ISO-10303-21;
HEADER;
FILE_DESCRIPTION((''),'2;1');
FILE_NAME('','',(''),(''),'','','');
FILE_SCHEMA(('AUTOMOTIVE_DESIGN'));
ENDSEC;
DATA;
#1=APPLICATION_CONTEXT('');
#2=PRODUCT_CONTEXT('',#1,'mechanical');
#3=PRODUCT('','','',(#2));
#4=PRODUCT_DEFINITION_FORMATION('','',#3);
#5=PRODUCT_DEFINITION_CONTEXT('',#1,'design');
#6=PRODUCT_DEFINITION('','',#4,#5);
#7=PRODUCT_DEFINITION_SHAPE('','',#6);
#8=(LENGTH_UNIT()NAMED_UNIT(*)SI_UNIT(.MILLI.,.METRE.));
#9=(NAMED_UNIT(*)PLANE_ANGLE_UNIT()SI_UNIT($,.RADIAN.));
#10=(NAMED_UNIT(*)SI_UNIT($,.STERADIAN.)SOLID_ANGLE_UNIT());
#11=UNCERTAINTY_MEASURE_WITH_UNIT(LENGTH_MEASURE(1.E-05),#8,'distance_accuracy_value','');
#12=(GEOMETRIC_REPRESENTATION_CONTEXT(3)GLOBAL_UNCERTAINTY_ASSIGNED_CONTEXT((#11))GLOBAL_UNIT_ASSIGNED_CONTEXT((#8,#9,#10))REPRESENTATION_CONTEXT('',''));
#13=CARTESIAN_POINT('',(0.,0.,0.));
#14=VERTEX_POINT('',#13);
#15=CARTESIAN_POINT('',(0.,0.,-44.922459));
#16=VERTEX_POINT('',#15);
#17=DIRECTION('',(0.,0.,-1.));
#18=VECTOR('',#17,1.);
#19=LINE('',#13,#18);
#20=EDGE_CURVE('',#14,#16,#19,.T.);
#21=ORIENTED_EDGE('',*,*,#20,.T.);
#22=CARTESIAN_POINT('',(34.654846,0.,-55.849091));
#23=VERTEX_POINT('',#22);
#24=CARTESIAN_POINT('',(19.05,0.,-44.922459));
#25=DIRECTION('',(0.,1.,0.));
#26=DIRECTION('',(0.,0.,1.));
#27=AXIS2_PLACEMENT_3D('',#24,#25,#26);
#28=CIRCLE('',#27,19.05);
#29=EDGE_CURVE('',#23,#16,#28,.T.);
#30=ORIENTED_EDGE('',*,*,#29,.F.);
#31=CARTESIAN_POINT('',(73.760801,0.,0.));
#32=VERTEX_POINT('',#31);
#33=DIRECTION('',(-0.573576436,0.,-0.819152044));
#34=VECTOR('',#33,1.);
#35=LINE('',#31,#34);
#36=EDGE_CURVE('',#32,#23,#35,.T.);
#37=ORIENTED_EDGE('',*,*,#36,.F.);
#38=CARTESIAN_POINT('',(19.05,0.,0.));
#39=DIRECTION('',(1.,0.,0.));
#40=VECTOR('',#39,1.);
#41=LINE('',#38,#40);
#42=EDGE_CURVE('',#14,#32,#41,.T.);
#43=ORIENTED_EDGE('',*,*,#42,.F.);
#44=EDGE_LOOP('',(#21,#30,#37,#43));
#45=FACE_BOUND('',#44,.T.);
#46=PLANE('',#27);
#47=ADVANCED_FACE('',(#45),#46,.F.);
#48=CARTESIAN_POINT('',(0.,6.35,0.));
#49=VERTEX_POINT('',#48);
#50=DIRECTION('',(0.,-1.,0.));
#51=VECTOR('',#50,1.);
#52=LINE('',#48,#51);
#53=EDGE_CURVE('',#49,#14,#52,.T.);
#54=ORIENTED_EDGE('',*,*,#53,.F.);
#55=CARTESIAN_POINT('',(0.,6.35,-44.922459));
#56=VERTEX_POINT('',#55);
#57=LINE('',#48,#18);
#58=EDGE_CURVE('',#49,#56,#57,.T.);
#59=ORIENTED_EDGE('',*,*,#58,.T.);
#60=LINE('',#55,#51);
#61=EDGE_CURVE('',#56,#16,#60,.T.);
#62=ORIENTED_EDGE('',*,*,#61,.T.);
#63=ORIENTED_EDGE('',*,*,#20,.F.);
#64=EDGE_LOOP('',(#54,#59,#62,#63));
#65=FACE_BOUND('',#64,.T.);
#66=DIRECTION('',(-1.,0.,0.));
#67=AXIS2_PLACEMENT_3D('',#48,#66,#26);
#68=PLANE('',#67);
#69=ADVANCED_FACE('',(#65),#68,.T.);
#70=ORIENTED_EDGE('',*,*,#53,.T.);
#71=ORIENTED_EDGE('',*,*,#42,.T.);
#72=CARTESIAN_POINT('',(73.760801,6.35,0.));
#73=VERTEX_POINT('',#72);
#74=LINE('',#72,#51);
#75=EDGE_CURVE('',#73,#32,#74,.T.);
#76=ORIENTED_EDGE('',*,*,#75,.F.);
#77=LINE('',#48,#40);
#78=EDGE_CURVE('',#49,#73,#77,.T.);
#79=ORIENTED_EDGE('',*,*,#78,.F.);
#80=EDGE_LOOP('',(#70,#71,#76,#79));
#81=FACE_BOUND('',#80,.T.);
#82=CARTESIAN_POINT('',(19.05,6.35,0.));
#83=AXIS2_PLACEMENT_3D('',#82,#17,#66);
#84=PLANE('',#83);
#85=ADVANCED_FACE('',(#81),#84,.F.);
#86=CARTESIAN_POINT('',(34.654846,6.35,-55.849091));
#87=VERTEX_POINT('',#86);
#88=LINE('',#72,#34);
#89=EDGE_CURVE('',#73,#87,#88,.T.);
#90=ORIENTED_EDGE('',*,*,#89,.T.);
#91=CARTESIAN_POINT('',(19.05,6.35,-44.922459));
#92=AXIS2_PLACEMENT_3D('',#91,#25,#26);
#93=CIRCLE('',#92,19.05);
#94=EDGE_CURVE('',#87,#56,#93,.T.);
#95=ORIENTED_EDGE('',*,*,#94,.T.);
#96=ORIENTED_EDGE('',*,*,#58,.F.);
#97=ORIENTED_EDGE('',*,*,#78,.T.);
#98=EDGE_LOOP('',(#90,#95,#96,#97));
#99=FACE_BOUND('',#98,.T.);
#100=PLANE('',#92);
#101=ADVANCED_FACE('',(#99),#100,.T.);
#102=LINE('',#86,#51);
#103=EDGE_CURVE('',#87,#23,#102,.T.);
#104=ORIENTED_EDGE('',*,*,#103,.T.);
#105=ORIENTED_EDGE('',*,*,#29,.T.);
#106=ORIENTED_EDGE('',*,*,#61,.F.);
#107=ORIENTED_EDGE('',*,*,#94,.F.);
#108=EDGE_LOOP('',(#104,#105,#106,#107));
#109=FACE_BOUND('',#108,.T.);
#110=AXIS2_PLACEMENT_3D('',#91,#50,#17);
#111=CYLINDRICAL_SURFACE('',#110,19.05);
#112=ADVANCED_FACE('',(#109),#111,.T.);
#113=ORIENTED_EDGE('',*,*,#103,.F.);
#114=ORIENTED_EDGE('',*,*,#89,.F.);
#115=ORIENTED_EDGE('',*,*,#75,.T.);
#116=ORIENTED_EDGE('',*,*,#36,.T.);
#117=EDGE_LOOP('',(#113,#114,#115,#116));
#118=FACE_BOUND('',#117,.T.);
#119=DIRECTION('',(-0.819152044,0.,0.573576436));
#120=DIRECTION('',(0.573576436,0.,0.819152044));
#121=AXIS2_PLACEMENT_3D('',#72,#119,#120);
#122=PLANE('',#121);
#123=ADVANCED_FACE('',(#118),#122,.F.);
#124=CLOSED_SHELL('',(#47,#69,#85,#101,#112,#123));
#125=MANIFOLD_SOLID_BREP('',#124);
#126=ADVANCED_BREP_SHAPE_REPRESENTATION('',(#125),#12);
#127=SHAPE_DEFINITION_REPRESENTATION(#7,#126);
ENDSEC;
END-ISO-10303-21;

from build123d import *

# Parameters (mm, degrees)
BOSS_EXTRUDE2_DEPTH = 6.35


with BuildPart() as part:
    # Sketch1 → Boss-Extrude2 (new body)
    with BuildSketch(Plane(origin=(0, 0, 0), x_dir=(1, 0, 0), z_dir=(0, 1, 0))):
        with BuildLine():
            Line((19.05, 0), (73.760800633, 0))
            Line((73.760800633, 0), (34.654846444, 55.849090528))
            ThreePointArc((34.654846444, 55.849090528), (13.321554519, 63.090767327), (0, 44.922459415))
            Line((0, 44.922459415), (0, 0))
            Line((0, 0), (19.05, 0))
        make_face()
    extrude(amount=BOSS_EXTRUDE2_DEPTH)


solid = part.part
